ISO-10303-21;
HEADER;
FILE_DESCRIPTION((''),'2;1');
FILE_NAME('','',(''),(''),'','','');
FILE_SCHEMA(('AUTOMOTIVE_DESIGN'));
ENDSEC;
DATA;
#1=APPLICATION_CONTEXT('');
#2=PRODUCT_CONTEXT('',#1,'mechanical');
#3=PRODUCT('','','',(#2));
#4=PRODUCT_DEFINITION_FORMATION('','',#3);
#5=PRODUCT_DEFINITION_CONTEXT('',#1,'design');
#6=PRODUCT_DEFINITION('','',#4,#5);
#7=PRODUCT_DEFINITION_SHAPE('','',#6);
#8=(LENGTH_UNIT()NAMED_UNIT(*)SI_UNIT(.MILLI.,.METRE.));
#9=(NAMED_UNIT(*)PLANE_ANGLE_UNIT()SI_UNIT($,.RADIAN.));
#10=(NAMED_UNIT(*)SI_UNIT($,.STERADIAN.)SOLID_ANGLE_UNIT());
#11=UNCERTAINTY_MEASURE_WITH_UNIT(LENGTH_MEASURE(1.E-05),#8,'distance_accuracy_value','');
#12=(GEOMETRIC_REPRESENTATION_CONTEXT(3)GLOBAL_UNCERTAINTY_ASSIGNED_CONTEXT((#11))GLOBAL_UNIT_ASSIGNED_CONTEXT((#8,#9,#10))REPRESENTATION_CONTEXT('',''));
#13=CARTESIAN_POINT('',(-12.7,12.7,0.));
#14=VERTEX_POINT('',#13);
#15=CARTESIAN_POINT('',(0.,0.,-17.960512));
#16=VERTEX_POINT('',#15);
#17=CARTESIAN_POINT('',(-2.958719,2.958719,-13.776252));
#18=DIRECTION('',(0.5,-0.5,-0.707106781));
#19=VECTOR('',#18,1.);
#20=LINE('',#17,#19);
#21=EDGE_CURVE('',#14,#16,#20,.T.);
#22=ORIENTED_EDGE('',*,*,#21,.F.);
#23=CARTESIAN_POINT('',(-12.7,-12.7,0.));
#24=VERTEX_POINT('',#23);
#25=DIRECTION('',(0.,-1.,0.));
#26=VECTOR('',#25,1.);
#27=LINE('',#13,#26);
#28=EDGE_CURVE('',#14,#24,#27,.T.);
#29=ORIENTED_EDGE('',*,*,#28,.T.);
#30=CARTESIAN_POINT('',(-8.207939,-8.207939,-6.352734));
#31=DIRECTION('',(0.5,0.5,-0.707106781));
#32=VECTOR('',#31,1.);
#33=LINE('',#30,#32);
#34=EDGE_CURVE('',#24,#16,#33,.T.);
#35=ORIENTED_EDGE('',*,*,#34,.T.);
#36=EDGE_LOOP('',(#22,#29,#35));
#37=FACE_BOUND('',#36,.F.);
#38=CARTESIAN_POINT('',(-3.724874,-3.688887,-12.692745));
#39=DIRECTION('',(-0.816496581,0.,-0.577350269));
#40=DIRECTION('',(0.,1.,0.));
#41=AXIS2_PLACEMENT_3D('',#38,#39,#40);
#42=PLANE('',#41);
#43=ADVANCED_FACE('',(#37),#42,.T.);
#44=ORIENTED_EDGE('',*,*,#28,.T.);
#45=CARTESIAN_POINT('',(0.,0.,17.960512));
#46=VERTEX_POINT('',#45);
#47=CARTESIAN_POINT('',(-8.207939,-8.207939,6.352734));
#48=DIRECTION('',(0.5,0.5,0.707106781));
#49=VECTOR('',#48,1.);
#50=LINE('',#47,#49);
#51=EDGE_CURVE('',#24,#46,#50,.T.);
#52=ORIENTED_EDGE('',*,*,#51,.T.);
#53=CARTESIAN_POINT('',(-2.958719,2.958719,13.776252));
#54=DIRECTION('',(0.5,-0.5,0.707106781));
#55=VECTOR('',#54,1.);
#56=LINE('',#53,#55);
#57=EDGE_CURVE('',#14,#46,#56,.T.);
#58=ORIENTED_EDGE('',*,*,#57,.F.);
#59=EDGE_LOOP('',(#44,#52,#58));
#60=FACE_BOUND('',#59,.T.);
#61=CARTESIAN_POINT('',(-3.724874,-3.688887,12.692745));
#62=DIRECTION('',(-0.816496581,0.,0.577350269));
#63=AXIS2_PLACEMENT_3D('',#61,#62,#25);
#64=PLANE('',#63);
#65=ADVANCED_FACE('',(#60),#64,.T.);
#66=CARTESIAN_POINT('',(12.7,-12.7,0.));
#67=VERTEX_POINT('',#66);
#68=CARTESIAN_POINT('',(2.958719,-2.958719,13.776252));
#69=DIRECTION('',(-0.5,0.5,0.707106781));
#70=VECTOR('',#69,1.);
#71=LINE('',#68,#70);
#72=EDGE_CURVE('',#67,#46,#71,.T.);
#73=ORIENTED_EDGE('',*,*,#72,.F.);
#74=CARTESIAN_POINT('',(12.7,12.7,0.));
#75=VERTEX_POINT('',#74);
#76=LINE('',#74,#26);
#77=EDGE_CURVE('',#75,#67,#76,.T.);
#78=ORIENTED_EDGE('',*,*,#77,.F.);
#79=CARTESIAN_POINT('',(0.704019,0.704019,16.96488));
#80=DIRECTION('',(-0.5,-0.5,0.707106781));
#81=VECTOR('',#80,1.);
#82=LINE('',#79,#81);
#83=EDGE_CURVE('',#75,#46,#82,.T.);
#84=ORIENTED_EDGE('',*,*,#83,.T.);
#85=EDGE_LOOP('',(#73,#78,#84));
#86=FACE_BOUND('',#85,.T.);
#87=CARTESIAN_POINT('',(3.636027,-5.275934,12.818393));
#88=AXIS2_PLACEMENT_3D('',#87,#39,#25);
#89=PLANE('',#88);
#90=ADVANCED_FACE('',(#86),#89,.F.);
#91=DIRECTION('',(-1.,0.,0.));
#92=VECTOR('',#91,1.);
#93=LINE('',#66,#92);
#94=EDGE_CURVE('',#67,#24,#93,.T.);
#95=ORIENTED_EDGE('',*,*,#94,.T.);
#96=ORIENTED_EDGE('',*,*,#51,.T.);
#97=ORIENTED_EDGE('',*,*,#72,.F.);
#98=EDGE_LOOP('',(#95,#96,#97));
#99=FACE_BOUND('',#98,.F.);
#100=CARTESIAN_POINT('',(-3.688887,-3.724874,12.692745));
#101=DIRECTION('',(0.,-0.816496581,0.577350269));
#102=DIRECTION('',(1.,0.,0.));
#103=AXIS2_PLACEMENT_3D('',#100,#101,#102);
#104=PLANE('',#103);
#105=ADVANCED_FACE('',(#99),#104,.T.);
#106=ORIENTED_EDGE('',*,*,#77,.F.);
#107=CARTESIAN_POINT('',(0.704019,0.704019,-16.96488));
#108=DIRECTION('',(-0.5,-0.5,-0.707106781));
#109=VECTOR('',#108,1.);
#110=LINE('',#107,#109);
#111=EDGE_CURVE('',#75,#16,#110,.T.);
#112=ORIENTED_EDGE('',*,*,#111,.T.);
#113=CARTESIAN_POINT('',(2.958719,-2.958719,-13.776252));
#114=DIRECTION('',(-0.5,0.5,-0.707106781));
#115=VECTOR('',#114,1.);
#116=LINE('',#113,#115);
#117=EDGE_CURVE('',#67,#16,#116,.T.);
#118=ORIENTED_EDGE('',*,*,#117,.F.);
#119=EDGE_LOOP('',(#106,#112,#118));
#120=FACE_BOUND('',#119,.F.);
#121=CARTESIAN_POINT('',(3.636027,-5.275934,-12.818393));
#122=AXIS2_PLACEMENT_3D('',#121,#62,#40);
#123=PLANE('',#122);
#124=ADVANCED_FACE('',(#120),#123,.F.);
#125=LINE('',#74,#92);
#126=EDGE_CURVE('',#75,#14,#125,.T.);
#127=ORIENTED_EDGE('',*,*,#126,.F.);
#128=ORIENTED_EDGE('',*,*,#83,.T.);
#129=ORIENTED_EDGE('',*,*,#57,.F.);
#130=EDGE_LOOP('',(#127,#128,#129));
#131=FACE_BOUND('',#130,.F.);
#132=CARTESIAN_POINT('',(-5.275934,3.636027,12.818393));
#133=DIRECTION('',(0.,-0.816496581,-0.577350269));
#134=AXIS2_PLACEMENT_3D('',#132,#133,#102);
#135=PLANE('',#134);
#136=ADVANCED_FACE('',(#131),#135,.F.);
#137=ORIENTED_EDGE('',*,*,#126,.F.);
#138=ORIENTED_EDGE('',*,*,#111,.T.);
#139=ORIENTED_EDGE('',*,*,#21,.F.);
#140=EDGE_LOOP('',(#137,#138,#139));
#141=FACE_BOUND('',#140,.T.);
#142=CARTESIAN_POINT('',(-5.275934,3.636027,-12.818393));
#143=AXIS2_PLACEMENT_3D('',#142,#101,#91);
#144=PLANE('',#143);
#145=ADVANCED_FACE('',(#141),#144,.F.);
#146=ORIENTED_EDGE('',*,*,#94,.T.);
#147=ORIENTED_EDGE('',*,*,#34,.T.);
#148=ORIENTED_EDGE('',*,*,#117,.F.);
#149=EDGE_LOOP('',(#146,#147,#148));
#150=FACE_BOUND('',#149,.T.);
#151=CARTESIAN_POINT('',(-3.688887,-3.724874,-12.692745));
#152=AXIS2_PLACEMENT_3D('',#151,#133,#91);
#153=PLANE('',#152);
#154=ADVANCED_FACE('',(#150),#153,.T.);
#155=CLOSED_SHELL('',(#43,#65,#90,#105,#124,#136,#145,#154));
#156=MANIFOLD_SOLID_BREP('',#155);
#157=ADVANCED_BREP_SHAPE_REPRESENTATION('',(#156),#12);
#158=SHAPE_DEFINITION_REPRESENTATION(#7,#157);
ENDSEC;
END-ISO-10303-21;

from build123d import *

# Parameters (mm, degrees)
F4_DEPTH = 25.4
F5_W     = 67.88828969
F5_H     = 62.6565348357
F6_DEPTH = 25.4
F7_W     = 63.3649621159
F7_H     = 48.1852069497
F8_DEPTH = 25.4


with BuildPart() as f4:
    # F0 (on Top) → F4 (new body)
    with BuildSketch(Plane.XY):
        Polygon((-12.7, -12.7), (12.7, 12.7), (-12.7, 12.7), align=None)
    extrude(amount=F4_DEPTH)

    # F5 (on 3pt) → F6 (cut)
    with BuildSketch(Plane(origin=(-8.4666666667, 0, 5.986837414), x_dir=(0, -1, 0), z_dir=(-0.8164965809, 0, 0.5773502692))):
        with Locations((3.6888867617, 8.2130255178)):
            Rectangle(F5_W, F5_H)
    extrude(amount=F6_DEPTH, mode=Mode.SUBTRACT)

    # F7 (on 3pt) → F8 (cut)
    with BuildSketch(Plane(origin=(0, 8.4666666667, 5.986837414), x_dir=(1, 0, 0), z_dir=(0, -0.8164965809, -0.5773502692))):
        with Locations((-5.2759340033, 8.3669126034)):
            Rectangle(F7_W, F7_H)
    extrude(amount=-F8_DEPTH, mode=Mode.SUBTRACT)

    # F9: F4 across face


with BuildPart() as f4_1:
    add(f4.part)
    add(f4.part.mirror(Plane(origin=(0, 0, 5.986837414), x_dir=(0.7071067812, 0.7071067812, 0), z_dir=(0.7071067812, -0.7071067812, 0))))

    # F10: F4 across face


with BuildPart() as f4_2:
    add(f4_1.part)
    add(f4_1.part.mirror(Plane(origin=(0, 0, 0), x_dir=(1, 0, 0), z_dir=(0, 0, -1))))


solid = f4_2.part
